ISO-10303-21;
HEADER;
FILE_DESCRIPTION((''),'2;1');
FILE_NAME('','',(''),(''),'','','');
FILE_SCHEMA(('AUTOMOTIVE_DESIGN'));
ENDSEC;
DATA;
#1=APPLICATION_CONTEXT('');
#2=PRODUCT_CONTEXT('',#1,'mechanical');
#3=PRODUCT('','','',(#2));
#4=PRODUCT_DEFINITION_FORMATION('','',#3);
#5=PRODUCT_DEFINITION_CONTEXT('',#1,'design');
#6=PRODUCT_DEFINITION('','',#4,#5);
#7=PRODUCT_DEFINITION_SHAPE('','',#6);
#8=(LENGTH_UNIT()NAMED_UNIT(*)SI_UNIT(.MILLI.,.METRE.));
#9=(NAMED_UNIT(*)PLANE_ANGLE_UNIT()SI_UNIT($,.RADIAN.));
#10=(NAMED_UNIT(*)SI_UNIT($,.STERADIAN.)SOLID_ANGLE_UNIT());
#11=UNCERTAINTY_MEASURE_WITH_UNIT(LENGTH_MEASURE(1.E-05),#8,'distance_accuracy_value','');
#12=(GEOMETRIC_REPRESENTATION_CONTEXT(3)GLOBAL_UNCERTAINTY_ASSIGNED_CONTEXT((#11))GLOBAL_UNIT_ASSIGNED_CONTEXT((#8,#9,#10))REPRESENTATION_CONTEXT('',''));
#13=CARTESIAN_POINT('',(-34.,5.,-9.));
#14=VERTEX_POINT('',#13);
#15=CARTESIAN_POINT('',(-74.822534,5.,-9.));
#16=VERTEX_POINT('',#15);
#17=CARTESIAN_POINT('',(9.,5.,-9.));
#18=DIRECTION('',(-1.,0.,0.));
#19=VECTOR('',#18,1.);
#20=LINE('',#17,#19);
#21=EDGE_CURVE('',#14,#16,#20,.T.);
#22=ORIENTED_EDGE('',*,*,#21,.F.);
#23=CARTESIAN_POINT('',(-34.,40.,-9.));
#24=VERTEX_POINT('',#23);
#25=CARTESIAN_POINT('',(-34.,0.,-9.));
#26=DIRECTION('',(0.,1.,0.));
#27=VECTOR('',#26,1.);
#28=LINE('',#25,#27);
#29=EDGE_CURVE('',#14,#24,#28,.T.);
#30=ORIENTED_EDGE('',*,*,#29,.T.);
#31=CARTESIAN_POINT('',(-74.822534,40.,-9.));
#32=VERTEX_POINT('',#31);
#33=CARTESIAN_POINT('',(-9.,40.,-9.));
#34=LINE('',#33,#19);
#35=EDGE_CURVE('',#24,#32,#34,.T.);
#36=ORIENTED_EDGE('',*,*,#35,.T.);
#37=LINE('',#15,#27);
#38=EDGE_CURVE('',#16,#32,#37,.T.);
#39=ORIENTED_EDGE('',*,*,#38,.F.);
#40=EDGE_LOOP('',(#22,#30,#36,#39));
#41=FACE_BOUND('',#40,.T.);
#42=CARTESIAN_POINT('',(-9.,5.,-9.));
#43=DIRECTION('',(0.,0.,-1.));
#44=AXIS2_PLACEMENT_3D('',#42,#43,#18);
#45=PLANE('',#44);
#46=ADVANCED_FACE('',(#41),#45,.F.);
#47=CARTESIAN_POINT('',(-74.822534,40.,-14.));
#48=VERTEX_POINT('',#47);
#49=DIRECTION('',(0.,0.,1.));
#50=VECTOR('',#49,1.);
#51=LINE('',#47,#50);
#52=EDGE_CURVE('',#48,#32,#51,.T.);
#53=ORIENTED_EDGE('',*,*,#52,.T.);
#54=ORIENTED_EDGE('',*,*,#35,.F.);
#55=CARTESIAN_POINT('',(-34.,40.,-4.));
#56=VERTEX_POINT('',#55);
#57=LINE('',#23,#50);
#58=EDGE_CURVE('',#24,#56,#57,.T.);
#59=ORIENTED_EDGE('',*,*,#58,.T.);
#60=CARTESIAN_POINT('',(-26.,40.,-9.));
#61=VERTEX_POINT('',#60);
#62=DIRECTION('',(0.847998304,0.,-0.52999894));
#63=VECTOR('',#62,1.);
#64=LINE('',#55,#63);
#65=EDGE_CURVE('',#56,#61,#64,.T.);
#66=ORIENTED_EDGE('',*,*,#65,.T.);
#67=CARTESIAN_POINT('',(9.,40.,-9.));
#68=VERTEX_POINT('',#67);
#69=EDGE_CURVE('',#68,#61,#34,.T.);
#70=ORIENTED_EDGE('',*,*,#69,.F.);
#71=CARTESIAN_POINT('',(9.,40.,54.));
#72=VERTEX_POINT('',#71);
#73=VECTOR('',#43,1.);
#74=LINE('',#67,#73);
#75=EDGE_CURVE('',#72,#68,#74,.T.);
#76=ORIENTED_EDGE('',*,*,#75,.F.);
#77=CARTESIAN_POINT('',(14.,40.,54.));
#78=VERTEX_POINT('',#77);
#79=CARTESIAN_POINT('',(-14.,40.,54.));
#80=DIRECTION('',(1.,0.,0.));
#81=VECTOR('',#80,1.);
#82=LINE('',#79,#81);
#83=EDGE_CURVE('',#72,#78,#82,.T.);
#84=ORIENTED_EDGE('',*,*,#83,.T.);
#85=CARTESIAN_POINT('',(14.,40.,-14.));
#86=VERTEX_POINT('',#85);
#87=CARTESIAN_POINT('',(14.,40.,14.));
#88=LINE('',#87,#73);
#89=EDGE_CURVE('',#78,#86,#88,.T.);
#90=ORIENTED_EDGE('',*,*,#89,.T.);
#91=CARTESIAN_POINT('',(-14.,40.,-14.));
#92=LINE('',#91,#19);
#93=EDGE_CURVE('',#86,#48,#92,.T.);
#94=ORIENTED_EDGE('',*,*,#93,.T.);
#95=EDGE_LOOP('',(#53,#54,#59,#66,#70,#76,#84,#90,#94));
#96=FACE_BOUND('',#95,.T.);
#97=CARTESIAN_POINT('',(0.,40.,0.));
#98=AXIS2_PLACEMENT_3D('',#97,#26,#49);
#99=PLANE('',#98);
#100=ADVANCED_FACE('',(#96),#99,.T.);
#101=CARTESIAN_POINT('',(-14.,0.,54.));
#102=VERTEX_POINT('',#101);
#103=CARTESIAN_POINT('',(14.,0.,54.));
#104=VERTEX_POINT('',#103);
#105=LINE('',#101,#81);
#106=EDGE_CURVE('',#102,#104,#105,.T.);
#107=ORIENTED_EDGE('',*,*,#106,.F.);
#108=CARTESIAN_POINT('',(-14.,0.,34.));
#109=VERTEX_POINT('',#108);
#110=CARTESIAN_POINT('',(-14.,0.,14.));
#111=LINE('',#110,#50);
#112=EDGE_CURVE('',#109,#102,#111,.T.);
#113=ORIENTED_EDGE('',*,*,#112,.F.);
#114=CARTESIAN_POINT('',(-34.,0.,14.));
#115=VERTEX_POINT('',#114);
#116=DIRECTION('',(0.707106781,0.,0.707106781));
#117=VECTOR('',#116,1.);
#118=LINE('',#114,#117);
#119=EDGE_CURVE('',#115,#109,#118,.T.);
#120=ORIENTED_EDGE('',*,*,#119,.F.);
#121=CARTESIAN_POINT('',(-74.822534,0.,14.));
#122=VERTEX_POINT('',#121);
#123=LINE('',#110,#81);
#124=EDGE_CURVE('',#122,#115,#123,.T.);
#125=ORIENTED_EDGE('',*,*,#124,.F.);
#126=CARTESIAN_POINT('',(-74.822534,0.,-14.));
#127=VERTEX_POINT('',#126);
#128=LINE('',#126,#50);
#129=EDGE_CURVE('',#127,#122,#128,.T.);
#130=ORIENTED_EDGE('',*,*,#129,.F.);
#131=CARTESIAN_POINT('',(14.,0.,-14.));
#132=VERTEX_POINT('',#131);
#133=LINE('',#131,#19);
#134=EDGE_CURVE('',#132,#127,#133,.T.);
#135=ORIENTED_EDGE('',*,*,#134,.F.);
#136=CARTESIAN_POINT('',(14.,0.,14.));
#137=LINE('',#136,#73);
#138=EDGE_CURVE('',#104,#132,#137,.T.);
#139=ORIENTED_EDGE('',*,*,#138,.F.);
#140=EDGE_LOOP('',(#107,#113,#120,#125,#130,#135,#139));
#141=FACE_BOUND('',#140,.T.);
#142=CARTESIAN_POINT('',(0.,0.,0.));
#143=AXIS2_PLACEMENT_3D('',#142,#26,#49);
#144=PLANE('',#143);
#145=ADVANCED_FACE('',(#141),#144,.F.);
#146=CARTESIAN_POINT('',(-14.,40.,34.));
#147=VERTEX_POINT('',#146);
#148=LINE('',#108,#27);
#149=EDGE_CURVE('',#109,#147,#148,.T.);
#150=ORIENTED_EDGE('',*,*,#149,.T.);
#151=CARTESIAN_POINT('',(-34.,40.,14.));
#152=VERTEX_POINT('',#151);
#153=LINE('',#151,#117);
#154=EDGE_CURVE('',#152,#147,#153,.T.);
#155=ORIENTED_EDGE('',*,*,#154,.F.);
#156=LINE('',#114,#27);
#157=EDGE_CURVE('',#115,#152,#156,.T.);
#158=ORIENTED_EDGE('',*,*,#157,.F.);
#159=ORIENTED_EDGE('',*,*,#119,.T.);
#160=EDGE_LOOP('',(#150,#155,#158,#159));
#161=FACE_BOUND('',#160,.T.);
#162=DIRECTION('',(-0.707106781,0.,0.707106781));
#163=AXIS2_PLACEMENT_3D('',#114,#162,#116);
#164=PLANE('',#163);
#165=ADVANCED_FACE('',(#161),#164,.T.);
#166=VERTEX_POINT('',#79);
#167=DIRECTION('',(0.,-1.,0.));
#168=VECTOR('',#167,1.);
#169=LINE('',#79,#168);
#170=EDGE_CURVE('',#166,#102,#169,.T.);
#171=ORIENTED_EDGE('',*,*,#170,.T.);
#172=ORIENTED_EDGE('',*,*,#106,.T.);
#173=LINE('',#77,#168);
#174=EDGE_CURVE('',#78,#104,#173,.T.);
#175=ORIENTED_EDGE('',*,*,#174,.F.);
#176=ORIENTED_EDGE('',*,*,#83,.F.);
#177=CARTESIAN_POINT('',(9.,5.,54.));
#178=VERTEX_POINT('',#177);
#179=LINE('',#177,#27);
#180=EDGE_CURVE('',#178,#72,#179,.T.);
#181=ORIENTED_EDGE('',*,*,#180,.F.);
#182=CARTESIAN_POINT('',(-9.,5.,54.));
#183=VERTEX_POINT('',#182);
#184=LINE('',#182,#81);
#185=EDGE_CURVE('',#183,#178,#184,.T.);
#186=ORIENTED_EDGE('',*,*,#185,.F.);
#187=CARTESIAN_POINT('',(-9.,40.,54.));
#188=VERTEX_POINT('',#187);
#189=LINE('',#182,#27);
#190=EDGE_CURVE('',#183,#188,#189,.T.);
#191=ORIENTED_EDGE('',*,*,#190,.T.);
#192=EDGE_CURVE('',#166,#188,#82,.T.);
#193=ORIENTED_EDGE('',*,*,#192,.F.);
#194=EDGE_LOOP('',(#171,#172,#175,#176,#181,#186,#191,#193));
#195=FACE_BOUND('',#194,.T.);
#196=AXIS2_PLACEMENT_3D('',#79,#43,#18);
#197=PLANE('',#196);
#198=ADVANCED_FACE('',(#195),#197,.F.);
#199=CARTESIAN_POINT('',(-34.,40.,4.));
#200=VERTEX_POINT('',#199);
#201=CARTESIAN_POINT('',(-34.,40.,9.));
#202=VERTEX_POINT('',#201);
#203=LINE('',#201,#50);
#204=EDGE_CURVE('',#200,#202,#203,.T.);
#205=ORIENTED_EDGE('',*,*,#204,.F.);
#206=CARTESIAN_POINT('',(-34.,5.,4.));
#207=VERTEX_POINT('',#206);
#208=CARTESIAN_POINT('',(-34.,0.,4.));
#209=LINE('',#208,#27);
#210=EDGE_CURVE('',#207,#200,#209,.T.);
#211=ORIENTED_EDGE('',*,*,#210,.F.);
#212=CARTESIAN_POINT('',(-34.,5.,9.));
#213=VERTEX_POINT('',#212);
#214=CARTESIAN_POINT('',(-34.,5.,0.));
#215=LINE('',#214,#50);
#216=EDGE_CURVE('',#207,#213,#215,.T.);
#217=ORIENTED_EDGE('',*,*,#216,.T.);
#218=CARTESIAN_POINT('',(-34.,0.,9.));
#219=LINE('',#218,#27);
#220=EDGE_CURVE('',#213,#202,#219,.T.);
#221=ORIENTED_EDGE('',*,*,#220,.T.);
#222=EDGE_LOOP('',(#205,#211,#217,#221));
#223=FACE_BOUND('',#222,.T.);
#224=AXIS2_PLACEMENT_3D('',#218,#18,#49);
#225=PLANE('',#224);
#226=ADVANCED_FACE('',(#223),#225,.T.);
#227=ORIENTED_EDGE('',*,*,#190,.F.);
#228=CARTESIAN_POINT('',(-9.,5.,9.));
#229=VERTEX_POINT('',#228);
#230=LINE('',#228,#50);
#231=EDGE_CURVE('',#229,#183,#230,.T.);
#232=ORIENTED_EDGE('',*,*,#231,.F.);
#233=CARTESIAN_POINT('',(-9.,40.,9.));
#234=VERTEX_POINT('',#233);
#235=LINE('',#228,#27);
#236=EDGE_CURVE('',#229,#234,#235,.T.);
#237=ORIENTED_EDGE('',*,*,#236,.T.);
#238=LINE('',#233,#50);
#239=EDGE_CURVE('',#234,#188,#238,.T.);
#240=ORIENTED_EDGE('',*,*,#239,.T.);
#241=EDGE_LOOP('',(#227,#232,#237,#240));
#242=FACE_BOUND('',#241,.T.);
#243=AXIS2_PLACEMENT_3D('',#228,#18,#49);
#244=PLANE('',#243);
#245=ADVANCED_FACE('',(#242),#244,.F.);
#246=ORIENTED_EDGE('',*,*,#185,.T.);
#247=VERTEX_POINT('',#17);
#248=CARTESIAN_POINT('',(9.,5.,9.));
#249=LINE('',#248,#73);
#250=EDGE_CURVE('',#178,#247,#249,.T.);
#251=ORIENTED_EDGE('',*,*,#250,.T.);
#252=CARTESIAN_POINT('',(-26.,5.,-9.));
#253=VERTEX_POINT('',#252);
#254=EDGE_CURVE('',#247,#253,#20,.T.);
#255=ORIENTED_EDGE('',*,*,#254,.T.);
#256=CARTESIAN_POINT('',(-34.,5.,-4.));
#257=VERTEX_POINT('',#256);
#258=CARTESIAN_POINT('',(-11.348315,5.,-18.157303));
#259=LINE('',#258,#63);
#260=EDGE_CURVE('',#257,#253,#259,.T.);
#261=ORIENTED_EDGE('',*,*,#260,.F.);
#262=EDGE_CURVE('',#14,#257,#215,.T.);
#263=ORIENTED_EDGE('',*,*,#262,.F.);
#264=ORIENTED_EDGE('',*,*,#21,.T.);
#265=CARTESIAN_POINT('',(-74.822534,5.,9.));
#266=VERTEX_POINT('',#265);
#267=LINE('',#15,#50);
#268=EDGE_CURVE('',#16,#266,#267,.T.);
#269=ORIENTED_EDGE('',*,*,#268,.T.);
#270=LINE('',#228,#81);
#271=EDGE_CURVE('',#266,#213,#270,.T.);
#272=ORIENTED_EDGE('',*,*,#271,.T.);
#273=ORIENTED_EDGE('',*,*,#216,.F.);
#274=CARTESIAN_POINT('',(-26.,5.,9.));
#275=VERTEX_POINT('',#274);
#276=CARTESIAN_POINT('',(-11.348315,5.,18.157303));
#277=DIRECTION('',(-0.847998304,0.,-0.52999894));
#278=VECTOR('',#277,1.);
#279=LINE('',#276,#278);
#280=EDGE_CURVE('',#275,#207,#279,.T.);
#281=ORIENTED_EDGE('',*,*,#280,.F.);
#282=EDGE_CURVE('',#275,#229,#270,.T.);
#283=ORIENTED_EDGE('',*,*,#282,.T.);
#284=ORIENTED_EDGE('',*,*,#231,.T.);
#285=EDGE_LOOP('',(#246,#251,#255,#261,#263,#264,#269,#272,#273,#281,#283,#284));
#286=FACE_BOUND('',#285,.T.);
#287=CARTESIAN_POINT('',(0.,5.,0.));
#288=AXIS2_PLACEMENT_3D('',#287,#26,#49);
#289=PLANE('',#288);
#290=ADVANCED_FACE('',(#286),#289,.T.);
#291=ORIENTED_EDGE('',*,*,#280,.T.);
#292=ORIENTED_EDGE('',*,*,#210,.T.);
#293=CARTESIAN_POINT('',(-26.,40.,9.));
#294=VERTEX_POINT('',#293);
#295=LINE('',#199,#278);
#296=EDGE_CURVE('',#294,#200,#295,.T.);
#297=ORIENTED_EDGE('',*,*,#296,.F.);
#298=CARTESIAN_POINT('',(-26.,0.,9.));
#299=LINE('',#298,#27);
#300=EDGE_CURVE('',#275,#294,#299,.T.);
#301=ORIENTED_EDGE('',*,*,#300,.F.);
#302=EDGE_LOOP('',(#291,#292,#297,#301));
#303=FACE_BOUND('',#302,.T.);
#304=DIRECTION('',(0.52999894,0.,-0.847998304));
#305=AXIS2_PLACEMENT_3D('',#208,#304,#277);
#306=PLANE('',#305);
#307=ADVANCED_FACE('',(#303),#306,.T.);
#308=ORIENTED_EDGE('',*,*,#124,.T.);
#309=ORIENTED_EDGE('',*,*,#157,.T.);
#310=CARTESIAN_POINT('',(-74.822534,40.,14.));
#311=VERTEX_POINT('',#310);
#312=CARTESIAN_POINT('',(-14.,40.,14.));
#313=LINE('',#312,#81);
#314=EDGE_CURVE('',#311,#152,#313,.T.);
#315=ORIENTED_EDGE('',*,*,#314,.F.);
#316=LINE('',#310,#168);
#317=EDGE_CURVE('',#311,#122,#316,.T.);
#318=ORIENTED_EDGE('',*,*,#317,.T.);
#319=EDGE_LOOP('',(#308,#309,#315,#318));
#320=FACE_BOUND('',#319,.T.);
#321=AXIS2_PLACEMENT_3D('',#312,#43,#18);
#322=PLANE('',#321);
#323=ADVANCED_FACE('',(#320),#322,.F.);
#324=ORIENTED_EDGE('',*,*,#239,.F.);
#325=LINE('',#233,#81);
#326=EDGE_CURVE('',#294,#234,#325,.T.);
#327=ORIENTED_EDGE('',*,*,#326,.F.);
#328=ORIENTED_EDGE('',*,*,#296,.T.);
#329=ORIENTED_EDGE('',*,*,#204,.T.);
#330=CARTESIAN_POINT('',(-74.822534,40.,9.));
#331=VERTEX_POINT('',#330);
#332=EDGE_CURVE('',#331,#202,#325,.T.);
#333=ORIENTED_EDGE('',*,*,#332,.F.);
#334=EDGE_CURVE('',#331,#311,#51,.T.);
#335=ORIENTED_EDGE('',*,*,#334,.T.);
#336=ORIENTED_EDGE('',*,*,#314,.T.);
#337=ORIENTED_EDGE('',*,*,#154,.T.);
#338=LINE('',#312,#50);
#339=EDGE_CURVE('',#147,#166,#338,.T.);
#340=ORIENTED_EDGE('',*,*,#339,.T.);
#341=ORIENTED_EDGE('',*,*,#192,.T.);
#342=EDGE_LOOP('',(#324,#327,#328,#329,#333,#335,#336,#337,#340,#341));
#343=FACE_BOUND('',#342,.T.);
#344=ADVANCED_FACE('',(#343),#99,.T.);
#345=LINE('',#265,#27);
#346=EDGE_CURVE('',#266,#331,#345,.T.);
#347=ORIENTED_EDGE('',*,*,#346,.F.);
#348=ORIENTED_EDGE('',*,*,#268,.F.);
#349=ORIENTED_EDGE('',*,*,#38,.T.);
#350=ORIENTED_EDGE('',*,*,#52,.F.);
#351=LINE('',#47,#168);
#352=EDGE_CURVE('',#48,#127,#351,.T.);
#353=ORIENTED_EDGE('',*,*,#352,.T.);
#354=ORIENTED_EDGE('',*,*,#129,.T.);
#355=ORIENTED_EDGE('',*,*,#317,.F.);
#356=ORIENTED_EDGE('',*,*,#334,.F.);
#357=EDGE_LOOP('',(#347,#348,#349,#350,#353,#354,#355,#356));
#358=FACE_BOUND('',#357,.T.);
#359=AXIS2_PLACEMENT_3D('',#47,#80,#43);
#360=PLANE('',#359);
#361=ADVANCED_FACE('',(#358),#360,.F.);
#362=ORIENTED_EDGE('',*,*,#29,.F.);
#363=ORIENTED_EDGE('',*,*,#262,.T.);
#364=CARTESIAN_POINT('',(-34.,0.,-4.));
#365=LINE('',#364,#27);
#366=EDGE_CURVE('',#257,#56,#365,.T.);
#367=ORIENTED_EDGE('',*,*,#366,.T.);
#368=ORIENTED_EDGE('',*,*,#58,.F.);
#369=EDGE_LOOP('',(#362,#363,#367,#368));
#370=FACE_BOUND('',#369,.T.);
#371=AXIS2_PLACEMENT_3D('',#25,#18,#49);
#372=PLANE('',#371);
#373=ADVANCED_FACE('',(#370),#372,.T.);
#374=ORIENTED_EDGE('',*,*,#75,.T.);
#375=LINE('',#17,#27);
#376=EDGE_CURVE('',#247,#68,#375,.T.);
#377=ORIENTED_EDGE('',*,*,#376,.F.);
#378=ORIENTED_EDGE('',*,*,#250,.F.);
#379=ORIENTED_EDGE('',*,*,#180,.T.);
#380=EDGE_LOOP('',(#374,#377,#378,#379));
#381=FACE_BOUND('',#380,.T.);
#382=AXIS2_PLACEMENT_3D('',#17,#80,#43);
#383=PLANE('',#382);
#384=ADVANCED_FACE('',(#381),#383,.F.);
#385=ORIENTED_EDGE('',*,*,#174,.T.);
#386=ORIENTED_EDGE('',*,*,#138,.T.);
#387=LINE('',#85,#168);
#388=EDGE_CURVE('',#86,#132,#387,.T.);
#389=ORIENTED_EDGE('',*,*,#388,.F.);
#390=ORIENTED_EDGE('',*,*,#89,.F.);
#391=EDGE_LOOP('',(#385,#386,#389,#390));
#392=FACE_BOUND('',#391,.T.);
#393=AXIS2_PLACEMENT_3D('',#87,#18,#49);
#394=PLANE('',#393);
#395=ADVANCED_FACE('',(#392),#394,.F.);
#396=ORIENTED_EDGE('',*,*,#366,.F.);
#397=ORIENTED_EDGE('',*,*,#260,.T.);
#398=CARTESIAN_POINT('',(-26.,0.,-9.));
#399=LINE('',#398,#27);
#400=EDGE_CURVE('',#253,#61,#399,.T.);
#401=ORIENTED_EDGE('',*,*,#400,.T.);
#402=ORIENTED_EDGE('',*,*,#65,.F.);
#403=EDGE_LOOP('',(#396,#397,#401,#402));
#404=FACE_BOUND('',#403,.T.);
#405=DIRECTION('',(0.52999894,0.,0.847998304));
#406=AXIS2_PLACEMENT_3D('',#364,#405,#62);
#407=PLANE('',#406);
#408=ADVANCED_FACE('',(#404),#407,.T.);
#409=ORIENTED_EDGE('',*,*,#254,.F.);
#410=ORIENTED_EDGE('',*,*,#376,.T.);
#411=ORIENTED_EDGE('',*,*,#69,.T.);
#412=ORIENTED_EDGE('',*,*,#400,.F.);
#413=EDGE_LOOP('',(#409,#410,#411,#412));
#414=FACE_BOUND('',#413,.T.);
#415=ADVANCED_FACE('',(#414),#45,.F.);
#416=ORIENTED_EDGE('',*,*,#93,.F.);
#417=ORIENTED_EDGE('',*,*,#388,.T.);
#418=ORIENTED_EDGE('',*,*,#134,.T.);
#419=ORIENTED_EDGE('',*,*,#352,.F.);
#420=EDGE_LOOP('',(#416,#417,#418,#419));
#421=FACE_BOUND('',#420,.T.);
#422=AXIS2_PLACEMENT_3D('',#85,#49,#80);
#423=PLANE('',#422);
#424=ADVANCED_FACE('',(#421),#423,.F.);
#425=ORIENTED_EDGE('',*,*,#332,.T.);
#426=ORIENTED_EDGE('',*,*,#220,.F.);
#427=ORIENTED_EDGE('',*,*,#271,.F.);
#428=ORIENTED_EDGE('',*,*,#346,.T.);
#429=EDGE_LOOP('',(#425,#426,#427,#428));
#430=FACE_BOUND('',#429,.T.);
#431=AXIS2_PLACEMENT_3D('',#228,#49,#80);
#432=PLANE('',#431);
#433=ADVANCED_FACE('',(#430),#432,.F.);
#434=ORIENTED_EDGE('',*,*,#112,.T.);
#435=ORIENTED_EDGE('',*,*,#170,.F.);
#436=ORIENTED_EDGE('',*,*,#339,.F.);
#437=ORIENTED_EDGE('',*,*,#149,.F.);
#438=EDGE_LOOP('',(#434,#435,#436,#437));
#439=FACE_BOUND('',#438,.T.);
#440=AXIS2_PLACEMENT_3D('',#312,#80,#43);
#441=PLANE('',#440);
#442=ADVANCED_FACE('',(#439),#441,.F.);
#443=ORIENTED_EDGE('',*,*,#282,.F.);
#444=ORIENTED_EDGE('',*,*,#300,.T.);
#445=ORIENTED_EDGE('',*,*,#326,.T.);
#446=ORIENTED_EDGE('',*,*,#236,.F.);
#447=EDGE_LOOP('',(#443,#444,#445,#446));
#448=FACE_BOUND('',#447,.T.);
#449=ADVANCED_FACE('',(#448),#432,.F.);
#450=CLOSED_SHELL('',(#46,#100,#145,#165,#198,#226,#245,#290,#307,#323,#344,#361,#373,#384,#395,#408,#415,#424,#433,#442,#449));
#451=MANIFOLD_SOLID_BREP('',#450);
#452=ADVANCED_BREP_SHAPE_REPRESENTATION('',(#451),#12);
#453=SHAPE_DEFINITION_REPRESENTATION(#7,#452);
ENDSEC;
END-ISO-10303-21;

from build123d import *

# Parameters (mm, degrees)
SALIENTE_EXTRUIR1_DEPTH = 40
CORTAR_EXTRUIR1_DEPTH   = 35
SALIENTE_EXTRUIR2_DEPTH = 40


with BuildPart() as part:
    # Croquis1 → Saliente-Extruir1 (new body)
    with BuildSketch(Plane(origin=(0, 0, 0), x_dir=(1, 0, 0), z_dir=(0, 1, 0))):
        Polygon((14, -14), (14, 14), (-14, 14), (-74.822534414, 14), (-74.822534414, -14), (-14, -14), (-14, -54), (14, -54), align=None)
    extrude(amount=SALIENTE_EXTRUIR1_DEPTH)

    # Croquis2 → Cortar-Extruir1 (cut)
    with BuildSketch(Plane(origin=(0, 40, 0), x_dir=(1, 0, 0), z_dir=(0, 1, 0))):
        Polygon((9, 9), (-9, 9), (-74.822534414, 9), (-74.822534414, -9), (-9, -9), (-9, -54), (9, -54), (9, -9), align=None)
    extrude(amount=-CORTAR_EXTRUIR1_DEPTH, mode=Mode.SUBTRACT)

    # Croquis3 → Saliente-Extruir2 (add)
    with BuildSketch(Plane(origin=(0, 40, 0), x_dir=(1, 0, 0), z_dir=(0, 1, 0))):
        Polygon((-34, -14), (-14, -34), (-14, -14), align=None)
        Polygon((-34, -9), (-34, -4), (-26, -9), align=None)
        Polygon((-34, 4), (-26, 9), (-34, 9), align=None)
    extrude(amount=-SALIENTE_EXTRUIR2_DEPTH)


solid = part.part
